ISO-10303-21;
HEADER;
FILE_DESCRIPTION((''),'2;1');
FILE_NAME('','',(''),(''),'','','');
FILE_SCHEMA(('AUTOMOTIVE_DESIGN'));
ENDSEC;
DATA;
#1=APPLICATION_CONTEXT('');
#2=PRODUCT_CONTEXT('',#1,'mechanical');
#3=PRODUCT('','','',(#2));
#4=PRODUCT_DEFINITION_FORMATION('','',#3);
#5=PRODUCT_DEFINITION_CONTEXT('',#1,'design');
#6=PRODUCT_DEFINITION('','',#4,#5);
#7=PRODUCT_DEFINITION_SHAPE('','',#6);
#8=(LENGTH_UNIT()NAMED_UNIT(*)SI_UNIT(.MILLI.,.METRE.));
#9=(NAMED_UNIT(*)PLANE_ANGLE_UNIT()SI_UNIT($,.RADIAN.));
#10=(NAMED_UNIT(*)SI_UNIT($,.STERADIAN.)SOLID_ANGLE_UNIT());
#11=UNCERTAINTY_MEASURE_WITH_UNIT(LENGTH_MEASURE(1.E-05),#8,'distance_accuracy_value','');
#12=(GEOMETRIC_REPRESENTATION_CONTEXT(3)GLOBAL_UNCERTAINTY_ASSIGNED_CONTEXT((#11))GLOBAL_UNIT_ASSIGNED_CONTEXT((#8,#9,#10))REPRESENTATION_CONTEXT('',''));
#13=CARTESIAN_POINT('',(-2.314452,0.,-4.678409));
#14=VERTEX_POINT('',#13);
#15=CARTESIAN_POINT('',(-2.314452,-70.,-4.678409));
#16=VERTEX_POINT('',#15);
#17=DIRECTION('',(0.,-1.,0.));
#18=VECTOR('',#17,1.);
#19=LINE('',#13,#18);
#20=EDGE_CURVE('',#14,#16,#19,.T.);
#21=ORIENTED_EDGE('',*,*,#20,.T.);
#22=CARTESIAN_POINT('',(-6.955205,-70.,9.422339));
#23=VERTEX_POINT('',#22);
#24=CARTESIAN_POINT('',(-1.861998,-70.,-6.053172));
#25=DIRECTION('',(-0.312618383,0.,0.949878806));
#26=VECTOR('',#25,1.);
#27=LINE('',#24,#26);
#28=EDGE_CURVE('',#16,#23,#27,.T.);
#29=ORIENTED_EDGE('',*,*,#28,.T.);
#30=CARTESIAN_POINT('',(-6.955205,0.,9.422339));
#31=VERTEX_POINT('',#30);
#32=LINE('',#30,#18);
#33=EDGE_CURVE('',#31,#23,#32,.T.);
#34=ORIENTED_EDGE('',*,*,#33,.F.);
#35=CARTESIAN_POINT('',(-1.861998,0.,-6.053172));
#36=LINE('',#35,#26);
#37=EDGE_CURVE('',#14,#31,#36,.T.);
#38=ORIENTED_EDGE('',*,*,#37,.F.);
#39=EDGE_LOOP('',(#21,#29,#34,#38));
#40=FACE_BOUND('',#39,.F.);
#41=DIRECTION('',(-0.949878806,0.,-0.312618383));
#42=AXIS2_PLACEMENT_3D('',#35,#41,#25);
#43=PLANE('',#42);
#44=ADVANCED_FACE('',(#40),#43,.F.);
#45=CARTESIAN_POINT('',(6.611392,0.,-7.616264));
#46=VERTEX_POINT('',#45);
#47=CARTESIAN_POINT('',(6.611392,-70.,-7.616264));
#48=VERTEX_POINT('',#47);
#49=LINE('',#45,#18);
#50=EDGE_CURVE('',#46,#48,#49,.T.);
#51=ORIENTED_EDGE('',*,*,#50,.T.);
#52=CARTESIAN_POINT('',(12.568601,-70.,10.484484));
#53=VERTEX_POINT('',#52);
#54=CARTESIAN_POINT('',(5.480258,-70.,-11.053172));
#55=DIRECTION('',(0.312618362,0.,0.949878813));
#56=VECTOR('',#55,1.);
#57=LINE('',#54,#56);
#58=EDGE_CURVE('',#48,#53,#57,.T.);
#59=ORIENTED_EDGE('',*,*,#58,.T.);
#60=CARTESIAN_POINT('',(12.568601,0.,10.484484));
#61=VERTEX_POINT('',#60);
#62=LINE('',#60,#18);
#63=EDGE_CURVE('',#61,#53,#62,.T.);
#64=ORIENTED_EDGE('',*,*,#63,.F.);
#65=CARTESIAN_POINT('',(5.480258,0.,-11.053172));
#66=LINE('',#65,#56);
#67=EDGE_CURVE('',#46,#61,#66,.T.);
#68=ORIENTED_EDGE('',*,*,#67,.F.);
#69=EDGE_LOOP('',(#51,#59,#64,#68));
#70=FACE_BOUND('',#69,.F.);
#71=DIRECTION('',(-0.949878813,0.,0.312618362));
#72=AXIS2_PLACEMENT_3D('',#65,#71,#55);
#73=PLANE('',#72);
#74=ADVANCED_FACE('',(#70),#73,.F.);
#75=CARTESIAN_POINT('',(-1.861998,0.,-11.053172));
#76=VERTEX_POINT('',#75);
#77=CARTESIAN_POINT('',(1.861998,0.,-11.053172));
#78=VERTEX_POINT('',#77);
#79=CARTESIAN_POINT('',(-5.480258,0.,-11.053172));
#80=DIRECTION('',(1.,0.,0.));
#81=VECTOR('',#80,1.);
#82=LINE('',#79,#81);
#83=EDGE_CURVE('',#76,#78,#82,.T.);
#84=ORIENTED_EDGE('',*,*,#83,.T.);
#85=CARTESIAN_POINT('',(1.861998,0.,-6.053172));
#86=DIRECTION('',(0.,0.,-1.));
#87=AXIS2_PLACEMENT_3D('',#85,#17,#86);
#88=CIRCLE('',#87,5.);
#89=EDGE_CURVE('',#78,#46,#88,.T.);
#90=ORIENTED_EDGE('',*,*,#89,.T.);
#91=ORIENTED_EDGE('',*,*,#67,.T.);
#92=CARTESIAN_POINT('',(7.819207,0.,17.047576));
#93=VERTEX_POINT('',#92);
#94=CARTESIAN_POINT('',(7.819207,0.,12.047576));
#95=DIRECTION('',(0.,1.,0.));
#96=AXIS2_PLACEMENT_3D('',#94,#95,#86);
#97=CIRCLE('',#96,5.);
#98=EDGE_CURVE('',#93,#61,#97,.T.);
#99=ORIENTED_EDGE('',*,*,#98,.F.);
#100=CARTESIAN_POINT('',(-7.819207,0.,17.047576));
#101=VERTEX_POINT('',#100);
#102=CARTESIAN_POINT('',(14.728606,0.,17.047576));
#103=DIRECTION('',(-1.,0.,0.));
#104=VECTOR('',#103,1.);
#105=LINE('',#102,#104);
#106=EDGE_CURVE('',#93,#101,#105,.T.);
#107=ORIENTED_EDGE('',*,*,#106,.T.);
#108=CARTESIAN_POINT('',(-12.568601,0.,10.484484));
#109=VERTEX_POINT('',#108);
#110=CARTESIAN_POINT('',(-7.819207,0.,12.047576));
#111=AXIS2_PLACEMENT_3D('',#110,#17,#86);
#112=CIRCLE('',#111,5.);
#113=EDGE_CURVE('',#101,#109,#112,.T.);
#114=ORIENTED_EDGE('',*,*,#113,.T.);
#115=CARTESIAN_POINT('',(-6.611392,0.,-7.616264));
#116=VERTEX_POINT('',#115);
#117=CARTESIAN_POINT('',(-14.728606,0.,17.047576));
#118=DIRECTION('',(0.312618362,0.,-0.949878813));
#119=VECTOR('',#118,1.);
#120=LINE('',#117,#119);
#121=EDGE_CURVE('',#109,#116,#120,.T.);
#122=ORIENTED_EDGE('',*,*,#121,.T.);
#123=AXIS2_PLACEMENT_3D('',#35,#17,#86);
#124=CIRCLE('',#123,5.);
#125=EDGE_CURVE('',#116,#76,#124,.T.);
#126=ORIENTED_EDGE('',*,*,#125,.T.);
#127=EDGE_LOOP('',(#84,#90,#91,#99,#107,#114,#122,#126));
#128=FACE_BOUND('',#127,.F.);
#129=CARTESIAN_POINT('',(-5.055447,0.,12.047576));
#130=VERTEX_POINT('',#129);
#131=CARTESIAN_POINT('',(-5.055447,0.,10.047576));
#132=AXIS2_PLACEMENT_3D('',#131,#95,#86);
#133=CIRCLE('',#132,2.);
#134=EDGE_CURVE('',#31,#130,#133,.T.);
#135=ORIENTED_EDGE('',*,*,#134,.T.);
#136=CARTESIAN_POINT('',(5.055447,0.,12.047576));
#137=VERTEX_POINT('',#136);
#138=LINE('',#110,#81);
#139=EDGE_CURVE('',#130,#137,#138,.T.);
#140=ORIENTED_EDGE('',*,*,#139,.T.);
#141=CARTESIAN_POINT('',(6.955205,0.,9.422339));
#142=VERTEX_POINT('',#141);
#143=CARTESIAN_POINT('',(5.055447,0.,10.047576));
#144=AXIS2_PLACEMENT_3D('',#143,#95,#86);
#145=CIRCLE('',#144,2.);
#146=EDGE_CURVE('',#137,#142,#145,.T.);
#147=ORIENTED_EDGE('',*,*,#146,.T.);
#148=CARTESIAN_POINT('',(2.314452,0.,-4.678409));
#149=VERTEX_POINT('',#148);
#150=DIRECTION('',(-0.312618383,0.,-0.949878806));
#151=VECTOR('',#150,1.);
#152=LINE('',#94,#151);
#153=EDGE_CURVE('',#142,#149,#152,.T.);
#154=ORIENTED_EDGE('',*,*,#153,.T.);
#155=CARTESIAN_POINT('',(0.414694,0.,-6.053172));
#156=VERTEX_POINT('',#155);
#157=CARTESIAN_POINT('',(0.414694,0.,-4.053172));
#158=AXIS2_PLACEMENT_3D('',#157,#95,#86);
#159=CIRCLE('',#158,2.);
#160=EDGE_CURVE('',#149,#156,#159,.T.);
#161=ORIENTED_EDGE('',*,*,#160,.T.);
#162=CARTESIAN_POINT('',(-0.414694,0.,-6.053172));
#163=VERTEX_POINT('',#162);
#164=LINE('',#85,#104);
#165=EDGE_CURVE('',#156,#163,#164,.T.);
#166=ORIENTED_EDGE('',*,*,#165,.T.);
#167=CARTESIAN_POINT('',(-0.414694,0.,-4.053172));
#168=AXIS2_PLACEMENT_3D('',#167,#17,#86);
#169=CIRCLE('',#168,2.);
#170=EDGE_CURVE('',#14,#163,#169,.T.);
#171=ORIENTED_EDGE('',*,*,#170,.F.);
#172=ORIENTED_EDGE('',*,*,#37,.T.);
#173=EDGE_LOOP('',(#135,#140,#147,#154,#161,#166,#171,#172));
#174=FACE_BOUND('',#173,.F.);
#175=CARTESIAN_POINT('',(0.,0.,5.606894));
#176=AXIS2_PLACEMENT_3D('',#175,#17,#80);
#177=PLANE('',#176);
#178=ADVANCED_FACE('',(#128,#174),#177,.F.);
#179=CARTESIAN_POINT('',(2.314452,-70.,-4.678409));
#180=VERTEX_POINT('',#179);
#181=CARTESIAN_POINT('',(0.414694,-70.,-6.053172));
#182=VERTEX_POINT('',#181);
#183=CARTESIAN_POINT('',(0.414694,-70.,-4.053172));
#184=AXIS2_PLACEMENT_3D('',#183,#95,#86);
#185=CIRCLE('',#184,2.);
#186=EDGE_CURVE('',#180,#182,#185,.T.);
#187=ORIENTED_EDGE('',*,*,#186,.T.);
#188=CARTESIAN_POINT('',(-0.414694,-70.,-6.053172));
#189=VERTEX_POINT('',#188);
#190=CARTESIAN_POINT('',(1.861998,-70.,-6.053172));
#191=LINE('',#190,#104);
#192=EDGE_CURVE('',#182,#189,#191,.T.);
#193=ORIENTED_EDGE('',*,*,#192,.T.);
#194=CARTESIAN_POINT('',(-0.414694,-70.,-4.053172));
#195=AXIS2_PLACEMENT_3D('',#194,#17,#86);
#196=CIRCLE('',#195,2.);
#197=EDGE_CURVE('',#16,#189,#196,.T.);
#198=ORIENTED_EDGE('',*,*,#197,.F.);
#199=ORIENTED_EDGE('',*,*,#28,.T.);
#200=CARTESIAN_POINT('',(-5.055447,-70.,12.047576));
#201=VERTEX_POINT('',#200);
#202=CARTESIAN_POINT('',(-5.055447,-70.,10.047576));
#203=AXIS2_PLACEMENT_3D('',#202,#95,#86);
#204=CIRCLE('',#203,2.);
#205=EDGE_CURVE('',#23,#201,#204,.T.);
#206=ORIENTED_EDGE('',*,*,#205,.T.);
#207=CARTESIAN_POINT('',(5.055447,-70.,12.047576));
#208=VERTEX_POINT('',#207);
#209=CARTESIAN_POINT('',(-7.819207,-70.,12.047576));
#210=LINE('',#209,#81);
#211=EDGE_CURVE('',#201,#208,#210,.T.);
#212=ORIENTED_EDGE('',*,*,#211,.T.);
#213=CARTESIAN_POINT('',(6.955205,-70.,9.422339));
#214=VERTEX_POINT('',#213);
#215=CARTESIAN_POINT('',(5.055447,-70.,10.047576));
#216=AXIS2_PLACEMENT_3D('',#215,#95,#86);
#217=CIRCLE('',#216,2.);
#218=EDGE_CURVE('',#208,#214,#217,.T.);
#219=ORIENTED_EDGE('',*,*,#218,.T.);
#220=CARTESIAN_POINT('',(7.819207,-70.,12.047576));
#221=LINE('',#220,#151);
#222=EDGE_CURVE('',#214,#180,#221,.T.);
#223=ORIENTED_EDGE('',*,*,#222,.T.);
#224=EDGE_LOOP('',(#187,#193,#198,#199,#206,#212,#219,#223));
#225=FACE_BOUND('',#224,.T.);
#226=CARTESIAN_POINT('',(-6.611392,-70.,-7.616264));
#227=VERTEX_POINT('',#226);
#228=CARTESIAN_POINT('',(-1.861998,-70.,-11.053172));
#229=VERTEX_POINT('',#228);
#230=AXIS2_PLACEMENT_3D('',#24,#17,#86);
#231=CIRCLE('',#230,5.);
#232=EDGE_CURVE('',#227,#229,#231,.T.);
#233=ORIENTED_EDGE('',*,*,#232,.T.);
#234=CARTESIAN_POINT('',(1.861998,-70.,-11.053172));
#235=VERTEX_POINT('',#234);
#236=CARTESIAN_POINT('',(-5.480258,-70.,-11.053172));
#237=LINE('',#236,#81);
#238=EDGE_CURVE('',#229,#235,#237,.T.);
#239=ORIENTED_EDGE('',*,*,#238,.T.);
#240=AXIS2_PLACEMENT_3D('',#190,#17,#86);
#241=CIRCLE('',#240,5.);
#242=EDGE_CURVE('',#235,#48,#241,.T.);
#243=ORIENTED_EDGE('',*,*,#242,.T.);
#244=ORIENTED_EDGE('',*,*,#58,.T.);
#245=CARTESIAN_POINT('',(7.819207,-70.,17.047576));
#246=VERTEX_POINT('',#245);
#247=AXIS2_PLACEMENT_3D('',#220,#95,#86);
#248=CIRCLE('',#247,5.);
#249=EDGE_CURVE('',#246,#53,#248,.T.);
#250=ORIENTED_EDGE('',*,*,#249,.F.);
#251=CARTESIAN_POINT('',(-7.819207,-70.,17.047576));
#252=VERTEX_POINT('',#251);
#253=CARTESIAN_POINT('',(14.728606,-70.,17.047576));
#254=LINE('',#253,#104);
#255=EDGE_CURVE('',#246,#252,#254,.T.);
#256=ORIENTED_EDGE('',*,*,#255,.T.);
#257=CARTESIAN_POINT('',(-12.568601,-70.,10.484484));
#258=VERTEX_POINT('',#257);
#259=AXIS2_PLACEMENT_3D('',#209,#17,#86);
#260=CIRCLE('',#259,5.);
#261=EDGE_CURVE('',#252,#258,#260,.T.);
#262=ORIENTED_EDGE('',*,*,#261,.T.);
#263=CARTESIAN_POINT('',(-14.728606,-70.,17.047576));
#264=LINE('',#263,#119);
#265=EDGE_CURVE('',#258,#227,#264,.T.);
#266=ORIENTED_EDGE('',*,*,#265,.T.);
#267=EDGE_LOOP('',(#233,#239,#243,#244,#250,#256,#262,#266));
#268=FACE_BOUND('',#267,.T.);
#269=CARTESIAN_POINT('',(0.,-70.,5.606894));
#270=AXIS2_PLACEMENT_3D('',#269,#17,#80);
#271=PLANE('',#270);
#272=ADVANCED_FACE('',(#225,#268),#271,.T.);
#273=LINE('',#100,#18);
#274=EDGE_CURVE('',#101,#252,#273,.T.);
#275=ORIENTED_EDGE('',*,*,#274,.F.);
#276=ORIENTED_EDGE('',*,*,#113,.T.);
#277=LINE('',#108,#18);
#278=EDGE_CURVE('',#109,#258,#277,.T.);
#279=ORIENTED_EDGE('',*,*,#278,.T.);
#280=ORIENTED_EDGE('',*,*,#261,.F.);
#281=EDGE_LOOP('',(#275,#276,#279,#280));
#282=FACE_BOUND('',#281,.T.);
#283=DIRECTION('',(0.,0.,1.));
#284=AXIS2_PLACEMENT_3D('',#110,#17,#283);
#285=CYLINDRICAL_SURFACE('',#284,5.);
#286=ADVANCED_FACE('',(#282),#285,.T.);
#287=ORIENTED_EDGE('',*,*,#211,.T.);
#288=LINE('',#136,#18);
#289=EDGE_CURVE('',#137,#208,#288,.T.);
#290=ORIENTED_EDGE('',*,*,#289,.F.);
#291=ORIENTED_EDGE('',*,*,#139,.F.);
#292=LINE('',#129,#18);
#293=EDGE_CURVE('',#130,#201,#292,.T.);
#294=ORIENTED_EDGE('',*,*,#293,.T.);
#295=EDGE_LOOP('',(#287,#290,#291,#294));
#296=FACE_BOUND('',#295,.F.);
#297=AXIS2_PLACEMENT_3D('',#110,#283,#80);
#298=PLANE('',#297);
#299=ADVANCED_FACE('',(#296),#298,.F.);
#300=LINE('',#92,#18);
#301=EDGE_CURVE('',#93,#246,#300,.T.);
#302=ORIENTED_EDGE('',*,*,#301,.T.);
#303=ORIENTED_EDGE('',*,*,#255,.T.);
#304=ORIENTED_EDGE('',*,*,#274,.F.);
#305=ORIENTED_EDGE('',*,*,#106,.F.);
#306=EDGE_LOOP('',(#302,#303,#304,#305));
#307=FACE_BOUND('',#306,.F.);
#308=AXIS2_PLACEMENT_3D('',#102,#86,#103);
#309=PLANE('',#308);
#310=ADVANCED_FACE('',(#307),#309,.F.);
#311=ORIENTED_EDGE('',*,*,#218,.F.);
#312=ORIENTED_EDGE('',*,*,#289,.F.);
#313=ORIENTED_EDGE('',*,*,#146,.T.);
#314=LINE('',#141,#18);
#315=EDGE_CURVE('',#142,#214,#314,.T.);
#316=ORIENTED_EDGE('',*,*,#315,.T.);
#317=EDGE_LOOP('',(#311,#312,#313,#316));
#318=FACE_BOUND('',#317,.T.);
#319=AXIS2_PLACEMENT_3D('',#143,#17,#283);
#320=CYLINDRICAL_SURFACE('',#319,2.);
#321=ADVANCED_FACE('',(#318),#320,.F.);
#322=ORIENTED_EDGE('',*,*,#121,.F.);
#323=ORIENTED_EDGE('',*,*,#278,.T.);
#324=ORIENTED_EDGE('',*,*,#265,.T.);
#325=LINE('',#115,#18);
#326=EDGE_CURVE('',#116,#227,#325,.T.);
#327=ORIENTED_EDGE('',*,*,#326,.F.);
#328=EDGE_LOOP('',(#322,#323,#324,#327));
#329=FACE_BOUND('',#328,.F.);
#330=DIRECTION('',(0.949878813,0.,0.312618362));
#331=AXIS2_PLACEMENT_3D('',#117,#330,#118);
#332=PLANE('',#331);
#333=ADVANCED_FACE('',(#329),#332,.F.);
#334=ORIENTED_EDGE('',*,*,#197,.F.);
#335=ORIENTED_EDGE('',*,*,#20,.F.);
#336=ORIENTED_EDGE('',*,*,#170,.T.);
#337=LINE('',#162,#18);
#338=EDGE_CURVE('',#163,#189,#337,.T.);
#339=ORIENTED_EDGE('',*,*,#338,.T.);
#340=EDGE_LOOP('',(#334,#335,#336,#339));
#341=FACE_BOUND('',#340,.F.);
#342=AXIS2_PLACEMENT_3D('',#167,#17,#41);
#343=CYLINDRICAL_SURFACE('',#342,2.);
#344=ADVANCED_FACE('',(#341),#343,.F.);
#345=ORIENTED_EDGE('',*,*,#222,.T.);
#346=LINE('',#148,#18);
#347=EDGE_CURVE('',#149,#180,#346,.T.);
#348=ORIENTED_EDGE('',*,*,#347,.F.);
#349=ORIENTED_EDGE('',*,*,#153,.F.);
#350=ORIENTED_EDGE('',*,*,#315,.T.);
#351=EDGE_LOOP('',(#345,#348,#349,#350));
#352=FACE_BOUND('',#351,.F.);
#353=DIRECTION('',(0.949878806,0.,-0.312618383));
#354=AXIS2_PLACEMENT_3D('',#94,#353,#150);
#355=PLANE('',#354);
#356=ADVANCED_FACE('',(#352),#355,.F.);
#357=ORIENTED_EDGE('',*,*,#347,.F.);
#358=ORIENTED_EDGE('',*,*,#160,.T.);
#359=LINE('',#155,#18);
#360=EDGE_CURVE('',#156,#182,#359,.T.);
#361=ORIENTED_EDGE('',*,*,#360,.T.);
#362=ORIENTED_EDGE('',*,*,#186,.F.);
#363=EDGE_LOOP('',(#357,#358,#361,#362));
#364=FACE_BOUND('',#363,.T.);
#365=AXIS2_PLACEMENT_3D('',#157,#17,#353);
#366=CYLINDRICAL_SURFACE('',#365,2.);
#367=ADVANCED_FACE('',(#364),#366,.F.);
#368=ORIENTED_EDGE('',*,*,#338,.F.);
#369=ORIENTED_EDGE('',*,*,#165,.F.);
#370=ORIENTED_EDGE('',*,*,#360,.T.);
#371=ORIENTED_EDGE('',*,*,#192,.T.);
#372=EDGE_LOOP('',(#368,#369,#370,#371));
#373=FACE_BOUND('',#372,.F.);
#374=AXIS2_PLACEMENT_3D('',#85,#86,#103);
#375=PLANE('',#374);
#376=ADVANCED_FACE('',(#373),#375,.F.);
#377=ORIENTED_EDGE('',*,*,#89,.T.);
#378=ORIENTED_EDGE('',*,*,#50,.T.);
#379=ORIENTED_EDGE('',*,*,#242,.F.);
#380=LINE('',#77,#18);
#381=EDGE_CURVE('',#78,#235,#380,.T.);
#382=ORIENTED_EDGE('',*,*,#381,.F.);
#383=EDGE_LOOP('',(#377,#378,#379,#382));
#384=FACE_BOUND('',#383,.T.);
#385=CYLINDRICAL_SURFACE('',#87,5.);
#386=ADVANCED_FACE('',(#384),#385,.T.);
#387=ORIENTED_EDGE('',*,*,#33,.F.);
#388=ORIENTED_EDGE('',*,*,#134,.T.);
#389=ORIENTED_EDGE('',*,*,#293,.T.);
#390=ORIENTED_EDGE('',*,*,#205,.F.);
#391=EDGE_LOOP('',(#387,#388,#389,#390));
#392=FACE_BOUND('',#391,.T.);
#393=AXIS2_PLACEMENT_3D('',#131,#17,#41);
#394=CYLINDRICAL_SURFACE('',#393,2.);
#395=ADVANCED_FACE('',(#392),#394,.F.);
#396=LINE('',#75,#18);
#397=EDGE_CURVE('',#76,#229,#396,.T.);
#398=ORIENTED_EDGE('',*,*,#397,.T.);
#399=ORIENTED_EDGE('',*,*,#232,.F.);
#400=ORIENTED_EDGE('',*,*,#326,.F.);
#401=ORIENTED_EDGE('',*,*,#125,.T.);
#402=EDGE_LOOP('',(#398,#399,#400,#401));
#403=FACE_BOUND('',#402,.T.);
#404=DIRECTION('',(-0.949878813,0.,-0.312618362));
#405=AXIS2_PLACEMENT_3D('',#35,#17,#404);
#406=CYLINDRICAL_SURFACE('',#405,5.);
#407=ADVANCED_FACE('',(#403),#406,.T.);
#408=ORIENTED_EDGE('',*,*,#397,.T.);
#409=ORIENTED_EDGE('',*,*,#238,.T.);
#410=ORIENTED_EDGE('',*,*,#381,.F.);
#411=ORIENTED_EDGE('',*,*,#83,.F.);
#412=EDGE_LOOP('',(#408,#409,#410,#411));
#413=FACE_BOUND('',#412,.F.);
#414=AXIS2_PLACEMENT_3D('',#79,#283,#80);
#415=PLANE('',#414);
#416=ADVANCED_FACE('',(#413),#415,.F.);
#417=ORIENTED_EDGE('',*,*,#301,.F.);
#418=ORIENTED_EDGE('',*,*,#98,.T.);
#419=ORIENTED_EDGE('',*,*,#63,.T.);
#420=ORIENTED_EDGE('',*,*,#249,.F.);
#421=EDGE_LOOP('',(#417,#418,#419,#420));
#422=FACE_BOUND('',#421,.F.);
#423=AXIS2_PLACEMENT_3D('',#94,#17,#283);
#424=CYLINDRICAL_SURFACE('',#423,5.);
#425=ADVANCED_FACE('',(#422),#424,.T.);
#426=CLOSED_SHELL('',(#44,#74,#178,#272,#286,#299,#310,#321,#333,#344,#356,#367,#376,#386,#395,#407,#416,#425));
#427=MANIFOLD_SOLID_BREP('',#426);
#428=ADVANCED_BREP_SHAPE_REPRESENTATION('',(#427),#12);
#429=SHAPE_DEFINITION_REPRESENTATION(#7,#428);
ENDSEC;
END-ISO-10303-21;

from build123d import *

# Parameters (mm, degrees)
F1_DEPTH = 70
F2_R     = 5
F3_R     = 2


with BuildPart() as f1:
    # F0 (on Front) → F1 (new body)
    with BuildSketch(Plane.XZ):
        Polygon((14.728606, 17.047576), (0, 17.047576), (-14.728606, 17.047576), (-5.480258, -11.053172), (0, -11.053172), (5.480258, -11.053172), align=None)
        Polygon((-7.819207, 12.047576), (0, 12.047576), (7.819207, 12.047576), (1.861998, -6.053172), (0, -6.053172), (-1.861998, -6.053172), align=None, mode=Mode.SUBTRACT)
    extrude(amount=F1_DEPTH)

    # F2
    f2_edges = [f1.edges().sort_by_distance(p)[0] for p in [
        (14.728606, -35, 17.047576),
        (5.480258, -35, -11.053172),
        (-5.480258, -35, -11.053172),
        (-14.728606, -35, 17.047576),
    ]]
    fillet(f2_edges, radius=F2_R)

    # F3
    f3_edges = [f1.edges().sort_by_distance(p)[0] for p in [
        (-1.861998, -35, -6.053172),
        (1.861998, -35, -6.053172),
        (7.819207, -35, 12.047576),
        (-7.819207, -35, 12.047576),
    ]]
    fillet(f3_edges, radius=F3_R)


solid = f1.part
